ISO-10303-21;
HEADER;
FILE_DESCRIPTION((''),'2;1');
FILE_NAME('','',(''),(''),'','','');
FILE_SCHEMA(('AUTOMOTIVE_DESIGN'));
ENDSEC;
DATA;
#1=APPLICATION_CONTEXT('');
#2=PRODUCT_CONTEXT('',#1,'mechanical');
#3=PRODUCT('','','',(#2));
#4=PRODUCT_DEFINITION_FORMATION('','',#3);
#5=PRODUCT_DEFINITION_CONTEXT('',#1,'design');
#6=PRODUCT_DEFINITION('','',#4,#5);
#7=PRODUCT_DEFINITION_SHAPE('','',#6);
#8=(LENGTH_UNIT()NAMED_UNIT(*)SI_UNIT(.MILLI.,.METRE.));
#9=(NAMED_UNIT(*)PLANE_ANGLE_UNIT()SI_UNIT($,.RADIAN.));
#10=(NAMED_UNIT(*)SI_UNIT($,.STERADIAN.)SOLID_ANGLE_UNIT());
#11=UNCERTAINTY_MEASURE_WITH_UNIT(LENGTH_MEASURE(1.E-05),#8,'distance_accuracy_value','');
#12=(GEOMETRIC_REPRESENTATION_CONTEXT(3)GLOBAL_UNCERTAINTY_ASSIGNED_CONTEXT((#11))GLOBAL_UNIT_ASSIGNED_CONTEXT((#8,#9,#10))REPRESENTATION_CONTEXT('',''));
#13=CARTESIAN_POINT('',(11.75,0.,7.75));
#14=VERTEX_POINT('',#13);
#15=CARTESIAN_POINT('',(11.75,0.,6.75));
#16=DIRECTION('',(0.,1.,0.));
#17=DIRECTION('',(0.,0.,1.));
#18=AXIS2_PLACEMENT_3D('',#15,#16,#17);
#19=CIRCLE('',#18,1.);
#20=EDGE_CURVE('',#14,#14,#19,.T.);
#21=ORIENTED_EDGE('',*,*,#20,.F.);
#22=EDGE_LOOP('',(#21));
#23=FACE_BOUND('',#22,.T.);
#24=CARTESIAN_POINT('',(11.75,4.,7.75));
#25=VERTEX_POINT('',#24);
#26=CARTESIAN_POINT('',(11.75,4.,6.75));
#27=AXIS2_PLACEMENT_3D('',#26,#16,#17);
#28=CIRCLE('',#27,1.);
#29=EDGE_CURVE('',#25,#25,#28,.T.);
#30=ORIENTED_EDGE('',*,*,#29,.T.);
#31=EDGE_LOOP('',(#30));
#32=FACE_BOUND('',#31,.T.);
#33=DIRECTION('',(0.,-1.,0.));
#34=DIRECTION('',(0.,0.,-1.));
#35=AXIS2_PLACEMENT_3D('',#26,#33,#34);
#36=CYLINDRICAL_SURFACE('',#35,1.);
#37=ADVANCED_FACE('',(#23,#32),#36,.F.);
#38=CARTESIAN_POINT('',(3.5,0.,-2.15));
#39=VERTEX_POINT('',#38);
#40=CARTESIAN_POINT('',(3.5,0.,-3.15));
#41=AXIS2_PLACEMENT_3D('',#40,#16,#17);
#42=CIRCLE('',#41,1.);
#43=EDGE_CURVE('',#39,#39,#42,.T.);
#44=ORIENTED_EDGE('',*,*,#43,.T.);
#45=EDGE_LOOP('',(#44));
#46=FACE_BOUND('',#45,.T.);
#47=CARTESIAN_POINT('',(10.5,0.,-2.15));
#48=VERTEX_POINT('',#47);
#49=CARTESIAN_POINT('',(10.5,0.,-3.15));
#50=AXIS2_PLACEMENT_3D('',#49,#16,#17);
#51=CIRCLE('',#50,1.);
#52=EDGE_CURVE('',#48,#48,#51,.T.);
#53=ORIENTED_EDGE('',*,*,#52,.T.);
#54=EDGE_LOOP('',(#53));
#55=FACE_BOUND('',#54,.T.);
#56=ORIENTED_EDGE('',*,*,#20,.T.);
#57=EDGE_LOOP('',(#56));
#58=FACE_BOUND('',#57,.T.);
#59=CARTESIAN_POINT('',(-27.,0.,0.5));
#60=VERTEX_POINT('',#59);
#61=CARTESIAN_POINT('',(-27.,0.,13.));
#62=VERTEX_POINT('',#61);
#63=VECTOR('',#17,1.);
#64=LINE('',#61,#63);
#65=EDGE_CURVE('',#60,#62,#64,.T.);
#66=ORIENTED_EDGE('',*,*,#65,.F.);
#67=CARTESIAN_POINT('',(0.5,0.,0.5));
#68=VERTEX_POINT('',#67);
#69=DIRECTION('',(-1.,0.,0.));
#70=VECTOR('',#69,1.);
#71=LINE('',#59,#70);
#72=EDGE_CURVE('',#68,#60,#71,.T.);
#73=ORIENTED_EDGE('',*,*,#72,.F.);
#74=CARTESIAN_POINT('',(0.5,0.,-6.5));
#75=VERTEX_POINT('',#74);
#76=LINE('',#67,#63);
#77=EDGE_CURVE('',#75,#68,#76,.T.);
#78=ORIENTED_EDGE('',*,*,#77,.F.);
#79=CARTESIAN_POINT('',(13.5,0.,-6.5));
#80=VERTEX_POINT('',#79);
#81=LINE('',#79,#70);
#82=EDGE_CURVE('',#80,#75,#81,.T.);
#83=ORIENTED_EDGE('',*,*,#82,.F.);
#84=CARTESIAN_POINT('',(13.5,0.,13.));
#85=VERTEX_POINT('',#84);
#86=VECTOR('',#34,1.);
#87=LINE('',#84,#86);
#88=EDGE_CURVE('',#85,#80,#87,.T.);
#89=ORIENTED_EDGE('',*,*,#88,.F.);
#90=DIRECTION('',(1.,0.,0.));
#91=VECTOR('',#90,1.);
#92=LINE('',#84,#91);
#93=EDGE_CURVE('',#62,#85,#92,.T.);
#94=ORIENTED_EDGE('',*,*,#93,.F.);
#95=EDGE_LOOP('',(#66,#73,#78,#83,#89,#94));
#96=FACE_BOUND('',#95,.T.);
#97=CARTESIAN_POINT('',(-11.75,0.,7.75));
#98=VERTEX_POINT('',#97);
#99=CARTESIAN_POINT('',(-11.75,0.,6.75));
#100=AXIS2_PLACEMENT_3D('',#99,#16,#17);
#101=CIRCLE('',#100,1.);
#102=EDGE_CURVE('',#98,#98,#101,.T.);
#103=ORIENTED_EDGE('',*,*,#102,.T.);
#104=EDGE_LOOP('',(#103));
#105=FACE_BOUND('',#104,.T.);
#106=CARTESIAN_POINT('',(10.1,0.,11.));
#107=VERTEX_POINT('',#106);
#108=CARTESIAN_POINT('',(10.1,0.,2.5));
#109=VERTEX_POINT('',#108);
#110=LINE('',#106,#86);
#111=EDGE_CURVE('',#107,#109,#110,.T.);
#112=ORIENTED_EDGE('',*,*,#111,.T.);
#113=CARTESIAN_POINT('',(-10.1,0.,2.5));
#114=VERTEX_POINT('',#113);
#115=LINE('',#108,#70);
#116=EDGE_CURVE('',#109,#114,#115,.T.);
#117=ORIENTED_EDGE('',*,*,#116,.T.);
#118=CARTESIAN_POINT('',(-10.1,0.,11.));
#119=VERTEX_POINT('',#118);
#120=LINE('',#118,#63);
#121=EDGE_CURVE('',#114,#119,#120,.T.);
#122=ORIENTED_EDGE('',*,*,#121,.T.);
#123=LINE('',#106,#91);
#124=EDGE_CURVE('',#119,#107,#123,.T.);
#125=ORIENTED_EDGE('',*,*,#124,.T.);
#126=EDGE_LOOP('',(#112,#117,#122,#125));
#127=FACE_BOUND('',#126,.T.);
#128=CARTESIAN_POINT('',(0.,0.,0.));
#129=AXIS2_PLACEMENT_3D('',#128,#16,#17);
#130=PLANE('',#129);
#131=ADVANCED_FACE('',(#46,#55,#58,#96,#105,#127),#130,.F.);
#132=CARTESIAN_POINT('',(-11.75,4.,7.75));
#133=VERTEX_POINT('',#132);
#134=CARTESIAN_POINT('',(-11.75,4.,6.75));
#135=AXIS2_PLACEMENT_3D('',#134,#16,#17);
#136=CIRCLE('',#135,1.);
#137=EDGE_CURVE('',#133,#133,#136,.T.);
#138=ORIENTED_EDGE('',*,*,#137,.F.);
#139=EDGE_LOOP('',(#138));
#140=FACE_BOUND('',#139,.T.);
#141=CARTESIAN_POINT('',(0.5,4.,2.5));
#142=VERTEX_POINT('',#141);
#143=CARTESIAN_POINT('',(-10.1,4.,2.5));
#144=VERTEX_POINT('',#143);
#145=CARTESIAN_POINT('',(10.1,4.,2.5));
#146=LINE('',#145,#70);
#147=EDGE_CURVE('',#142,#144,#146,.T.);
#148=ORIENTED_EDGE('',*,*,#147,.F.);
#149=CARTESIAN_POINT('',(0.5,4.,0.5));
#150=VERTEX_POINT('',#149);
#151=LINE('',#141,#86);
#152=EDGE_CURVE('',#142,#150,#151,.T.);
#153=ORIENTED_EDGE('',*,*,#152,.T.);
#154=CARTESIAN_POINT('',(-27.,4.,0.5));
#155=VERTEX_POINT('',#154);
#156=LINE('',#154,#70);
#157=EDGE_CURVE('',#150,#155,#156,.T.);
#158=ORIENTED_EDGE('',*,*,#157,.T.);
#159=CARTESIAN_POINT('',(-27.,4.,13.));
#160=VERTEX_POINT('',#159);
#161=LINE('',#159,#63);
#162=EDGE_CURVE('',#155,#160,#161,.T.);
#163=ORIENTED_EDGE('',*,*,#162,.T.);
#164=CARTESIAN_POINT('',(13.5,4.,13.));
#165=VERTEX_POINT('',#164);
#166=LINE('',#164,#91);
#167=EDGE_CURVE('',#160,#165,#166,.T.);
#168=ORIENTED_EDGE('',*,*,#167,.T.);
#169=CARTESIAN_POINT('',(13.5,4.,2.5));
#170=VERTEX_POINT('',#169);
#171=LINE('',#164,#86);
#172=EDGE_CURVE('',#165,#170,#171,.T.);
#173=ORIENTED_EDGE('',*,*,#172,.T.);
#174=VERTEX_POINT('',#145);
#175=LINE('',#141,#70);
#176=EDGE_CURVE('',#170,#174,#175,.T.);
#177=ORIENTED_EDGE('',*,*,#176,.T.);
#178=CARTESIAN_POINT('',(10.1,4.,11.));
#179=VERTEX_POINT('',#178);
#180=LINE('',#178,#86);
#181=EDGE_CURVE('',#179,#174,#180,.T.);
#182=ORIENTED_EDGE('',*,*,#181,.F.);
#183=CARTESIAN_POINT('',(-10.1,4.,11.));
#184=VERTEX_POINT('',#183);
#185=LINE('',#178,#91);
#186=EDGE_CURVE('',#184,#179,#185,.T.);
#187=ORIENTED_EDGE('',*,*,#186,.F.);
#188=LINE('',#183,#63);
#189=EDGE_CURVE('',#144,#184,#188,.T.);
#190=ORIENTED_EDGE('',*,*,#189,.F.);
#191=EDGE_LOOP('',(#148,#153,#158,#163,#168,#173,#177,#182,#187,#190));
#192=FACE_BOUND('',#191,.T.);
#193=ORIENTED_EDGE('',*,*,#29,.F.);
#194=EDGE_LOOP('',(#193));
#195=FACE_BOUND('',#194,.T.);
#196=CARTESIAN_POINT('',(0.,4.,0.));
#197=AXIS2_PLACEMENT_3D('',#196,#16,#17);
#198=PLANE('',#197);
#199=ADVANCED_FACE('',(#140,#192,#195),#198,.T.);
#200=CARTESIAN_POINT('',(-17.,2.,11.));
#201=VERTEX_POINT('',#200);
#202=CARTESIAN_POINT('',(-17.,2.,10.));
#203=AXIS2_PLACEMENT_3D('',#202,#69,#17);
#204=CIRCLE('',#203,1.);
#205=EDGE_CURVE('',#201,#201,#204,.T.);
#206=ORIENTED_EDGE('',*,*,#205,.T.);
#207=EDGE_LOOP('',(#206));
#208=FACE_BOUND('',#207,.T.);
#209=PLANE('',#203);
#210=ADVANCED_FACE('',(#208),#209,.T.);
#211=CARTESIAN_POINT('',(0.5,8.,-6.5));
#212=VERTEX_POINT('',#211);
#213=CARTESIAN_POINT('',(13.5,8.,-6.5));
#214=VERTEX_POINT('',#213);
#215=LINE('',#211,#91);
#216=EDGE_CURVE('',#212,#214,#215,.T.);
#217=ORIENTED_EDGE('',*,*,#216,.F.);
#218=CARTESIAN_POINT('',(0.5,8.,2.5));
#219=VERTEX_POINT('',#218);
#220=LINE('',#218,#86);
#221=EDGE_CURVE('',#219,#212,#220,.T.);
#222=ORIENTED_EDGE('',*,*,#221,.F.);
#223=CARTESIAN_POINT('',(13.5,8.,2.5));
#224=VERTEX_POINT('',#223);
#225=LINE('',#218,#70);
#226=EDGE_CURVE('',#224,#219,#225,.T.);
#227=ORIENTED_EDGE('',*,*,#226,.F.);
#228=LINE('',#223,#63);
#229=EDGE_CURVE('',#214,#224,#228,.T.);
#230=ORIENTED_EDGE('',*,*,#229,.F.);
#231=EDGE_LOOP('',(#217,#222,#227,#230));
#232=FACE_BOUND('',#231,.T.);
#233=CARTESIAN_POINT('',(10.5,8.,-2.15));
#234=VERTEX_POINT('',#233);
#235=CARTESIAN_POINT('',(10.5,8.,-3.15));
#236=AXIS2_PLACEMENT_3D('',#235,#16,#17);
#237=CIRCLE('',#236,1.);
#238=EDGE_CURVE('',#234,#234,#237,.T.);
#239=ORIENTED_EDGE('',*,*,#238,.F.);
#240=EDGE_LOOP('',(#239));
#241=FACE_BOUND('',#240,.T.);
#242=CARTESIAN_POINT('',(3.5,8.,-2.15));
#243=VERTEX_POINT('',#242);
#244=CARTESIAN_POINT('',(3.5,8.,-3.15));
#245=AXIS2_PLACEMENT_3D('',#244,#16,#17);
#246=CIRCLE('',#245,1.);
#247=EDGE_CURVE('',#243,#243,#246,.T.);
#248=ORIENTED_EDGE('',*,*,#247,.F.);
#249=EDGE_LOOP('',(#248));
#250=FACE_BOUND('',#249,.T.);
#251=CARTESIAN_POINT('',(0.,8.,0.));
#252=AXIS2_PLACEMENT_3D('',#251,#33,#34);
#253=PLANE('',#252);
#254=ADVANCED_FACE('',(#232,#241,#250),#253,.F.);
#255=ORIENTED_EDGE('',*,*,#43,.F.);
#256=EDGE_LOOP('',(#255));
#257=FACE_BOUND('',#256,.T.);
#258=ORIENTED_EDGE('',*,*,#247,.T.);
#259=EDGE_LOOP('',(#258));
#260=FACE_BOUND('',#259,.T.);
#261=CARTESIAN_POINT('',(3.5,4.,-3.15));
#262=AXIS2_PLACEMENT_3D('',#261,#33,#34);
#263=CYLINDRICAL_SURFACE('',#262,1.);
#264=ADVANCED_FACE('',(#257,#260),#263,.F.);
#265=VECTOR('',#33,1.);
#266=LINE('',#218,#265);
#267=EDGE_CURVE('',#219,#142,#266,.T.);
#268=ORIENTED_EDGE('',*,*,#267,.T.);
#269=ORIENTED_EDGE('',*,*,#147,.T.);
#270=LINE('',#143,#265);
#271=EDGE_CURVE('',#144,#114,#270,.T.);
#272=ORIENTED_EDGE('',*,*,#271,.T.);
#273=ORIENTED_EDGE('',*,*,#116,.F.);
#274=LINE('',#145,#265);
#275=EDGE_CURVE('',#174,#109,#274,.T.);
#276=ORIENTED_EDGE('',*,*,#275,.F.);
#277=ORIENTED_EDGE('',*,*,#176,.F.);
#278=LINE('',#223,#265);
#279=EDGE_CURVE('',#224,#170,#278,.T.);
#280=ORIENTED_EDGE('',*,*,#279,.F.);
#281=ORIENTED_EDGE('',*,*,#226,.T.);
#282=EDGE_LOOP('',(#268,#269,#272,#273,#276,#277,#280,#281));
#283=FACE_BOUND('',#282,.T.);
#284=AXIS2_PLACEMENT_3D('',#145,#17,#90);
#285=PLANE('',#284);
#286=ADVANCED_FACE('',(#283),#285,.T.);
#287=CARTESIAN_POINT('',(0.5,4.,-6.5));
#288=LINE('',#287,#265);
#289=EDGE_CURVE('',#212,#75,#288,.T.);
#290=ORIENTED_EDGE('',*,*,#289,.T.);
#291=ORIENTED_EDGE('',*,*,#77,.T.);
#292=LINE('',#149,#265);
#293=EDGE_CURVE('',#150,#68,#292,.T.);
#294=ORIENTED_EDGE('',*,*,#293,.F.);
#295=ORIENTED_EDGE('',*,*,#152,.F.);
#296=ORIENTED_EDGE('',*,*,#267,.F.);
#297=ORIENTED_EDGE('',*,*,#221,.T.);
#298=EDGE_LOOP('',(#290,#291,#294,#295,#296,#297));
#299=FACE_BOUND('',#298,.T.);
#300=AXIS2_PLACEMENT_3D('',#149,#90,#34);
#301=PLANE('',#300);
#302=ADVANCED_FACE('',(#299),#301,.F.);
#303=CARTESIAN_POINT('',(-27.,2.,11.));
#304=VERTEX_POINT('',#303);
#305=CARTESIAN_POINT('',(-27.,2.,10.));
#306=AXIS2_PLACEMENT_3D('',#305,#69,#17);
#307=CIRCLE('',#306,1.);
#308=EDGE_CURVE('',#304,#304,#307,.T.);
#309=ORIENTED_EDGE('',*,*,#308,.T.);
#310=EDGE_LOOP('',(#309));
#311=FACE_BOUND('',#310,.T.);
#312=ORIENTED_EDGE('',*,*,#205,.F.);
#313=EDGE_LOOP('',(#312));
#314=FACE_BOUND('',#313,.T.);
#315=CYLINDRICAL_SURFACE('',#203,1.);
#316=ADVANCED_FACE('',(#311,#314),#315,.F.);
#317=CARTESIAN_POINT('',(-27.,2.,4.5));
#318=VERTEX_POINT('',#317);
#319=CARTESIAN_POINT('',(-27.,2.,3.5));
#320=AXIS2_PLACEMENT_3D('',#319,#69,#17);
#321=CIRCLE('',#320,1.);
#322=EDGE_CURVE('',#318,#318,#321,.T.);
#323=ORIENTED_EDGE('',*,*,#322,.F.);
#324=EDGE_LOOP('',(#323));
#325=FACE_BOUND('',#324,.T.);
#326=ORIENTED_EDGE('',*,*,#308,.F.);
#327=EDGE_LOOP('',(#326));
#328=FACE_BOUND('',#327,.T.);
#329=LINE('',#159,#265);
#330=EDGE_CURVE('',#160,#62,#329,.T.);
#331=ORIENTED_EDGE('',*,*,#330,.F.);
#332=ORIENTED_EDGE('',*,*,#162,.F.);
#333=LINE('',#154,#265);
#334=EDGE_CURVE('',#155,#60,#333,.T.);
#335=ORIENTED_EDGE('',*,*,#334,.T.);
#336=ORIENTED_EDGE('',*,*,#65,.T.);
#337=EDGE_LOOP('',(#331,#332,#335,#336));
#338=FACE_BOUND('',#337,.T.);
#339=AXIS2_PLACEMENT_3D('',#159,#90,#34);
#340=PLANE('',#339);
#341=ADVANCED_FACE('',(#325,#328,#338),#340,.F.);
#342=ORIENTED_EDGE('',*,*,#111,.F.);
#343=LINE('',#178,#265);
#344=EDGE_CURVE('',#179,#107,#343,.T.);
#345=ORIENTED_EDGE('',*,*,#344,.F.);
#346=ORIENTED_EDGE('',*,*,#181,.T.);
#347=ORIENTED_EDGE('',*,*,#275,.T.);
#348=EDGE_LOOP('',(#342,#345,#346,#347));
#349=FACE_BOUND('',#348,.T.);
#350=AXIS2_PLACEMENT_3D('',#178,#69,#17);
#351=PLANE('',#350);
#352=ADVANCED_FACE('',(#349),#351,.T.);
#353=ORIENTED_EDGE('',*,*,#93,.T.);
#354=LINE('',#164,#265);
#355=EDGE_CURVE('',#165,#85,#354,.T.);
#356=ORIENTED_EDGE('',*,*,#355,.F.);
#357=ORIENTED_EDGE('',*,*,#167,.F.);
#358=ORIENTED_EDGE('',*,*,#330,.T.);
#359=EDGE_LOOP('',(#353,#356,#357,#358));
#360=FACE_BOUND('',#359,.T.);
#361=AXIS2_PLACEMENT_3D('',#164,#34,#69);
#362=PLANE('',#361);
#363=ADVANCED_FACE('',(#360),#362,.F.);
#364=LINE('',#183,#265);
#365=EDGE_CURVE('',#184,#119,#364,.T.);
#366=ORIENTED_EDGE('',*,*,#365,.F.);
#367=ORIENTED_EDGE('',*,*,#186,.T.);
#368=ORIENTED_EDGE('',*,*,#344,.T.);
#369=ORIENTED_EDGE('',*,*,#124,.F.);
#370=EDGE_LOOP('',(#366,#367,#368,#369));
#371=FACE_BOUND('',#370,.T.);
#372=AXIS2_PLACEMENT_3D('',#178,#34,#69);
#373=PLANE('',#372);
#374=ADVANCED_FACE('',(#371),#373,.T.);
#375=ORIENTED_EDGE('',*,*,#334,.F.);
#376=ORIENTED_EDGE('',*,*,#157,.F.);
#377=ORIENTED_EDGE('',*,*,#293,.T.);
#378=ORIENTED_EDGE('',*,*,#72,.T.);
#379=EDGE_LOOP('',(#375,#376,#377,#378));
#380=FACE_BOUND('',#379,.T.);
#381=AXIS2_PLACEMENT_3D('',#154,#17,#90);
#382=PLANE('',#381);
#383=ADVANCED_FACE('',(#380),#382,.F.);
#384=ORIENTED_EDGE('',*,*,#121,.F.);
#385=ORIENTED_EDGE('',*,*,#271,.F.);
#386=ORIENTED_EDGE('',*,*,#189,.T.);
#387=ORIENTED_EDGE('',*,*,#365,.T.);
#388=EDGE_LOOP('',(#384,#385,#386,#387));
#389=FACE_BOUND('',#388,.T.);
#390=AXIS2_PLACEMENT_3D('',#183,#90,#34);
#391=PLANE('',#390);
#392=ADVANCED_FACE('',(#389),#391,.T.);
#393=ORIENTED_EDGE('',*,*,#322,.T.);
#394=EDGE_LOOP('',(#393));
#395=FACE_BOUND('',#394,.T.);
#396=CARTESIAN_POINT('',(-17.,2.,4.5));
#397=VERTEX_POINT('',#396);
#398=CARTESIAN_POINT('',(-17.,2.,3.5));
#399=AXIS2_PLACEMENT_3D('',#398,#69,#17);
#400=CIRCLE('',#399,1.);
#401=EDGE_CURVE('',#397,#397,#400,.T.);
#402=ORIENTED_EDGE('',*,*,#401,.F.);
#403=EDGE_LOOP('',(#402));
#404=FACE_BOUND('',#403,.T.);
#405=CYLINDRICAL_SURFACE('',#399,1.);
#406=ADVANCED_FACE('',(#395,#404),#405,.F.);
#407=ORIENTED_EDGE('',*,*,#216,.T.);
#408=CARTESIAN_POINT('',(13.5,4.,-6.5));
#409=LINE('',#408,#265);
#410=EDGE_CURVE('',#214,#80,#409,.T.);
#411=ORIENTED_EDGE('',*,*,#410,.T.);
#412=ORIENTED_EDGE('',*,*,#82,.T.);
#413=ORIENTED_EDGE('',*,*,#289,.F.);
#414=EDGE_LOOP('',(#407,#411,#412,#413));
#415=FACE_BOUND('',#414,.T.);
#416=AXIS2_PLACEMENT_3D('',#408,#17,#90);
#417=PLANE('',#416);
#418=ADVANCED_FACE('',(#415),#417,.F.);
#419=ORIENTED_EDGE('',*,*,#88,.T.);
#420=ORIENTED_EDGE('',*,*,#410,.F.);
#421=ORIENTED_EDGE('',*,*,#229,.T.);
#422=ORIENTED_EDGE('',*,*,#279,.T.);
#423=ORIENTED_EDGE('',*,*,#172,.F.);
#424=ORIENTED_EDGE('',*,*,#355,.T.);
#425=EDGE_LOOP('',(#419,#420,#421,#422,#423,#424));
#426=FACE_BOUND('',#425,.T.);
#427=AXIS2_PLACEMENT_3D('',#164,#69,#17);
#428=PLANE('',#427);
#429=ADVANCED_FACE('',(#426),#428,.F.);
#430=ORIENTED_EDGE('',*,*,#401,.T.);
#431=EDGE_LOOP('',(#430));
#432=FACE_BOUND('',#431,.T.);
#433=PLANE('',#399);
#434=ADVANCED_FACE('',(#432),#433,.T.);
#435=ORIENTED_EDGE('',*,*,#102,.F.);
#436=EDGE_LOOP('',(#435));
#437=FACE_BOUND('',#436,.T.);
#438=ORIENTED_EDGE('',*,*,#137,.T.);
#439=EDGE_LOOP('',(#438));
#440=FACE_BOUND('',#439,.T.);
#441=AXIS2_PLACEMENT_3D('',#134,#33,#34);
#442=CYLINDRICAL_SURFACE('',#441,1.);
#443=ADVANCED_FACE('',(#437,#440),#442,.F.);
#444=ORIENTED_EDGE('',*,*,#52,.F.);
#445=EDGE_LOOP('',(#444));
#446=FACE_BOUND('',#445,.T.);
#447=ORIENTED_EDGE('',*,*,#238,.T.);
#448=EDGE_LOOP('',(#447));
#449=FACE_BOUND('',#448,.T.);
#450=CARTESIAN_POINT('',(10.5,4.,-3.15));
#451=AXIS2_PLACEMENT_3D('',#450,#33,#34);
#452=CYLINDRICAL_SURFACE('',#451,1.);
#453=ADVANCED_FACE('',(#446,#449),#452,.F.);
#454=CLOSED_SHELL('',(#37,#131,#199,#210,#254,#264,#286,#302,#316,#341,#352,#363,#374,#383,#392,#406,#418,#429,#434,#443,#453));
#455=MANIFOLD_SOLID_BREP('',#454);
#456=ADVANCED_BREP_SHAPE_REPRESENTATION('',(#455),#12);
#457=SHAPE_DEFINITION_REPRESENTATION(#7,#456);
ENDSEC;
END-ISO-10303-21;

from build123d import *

# Parameters (mm, degrees)
SZKIC1_R                    = 1
SZKIC1_W                    = 20.2
SZKIC1_H                    = 8.5
DODANIE_WYCI_GNI_CIE2_DEPTH = 4
SZKIC3_W                    = 13
SZKIC3_H                    = 9
DODANIE_WYCI_GNI_CIE3_DEPTH = 4
SZKIC1_3_R                  = 1
WYTNIJ_WYCI_GNI_CIE2_DEPTH  = 32.016124839
SZKIC4_R                    = 1
WYTNIJ_WYCI_GNI_CIE3_DEPTH  = 10


with BuildPart() as part:
    # Szkic1 → Dodanie-wyciągnięcie2 (new body)
    with BuildSketch(Plane(origin=(0, 0, 0), x_dir=(1, 0, 0), z_dir=(0, 1, 0))):
        Polygon((-27, -0.5), (0.5, -0.5), (0.5, 6.5), (13.5, 6.5), (13.5, -13), (-27, -13), align=None)
        with Locations((11.75, -6.75)):
            Circle(SZKIC1_R, mode=Mode.SUBTRACT)
        with Locations((-11.75, -6.75)):
            Circle(SZKIC1_R, mode=Mode.SUBTRACT)
        with Locations((3.5, 3.15)):
            Circle(SZKIC1_R, mode=Mode.SUBTRACT)
        with Locations((10.5, 3.15)):
            Circle(SZKIC1_R, mode=Mode.SUBTRACT)
        with Locations((0, -6.75)):
            Rectangle(SZKIC1_W, SZKIC1_H, mode=Mode.SUBTRACT)
    extrude(amount=DODANIE_WYCI_GNI_CIE2_DEPTH)

    # Szkic3 → Dodanie-wyciągnięcie3 (add)
    with BuildSketch(Plane.XZ.offset(-4)):
        with Locations((7, -2)):
            Rectangle(SZKIC3_W, SZKIC3_H)
    extrude(amount=-DODANIE_WYCI_GNI_CIE3_DEPTH)

    # Szkic1<3> → Wytnij-wyciągnięcie2 (cut, through all)
    with BuildSketch(Plane(origin=(0, 0, 0), x_dir=(1, 0, 0), z_dir=(0, 1, 0))):
        with Locations((3.5, 3.15)):
            Circle(SZKIC1_3_R)
        with Locations((10.5, 3.15)):
            Circle(SZKIC1_3_R)
    extrude(amount=WYTNIJ_WYCI_GNI_CIE2_DEPTH, mode=Mode.SUBTRACT)

    # Szkic4 → Wytnij-wyciągnięcie3 (cut)
    with BuildSketch(Plane.ZY.offset(27)):
        with Locations((3.5, 2)):
            Circle(SZKIC4_R)
        with Locations((10, 2)):
            Circle(SZKIC4_R)
    extrude(amount=-WYTNIJ_WYCI_GNI_CIE3_DEPTH, mode=Mode.SUBTRACT)


solid = part.part
